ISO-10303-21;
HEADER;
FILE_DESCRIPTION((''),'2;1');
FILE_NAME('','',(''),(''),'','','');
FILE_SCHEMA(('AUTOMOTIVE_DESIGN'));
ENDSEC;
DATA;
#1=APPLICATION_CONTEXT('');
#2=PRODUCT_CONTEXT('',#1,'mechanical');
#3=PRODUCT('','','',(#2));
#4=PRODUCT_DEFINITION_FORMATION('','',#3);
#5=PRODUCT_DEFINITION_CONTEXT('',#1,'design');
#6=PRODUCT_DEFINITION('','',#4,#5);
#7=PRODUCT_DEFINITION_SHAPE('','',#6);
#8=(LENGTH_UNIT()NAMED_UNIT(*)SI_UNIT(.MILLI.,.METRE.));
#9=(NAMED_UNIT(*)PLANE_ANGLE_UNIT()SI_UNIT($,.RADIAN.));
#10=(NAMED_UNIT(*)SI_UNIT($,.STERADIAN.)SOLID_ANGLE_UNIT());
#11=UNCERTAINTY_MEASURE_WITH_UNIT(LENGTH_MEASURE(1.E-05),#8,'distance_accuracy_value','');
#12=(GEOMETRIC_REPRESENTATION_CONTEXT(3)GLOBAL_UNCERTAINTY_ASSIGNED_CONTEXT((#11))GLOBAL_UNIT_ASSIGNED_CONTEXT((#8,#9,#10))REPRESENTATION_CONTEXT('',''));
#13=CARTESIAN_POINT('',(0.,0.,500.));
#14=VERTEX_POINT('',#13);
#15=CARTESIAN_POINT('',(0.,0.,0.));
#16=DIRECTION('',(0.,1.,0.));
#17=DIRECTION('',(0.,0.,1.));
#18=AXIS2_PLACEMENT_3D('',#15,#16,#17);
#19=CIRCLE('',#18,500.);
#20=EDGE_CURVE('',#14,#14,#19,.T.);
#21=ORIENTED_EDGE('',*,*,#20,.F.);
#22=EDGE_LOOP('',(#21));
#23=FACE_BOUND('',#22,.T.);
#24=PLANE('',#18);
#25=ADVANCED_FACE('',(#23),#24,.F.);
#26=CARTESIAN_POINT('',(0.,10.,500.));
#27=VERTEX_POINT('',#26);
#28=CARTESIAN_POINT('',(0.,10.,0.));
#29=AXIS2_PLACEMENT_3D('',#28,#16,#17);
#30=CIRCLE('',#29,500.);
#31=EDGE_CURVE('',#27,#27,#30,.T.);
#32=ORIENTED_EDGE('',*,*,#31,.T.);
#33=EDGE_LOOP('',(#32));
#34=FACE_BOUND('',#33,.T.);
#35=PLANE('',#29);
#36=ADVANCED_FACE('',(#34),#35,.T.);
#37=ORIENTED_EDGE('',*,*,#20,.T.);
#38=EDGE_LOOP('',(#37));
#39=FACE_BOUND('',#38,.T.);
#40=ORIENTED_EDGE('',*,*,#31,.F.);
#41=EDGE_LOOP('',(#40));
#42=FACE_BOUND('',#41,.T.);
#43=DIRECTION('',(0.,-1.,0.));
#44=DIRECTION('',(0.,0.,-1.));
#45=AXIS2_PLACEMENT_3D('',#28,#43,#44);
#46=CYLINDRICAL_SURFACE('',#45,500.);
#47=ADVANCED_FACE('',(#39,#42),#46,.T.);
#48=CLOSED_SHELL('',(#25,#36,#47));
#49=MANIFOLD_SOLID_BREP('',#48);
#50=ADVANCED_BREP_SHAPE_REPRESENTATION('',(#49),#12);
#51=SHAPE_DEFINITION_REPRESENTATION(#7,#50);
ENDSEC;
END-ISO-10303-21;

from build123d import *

# Parameters (mm, degrees)
SKETCH1_R           = 500
BOSS_EXTRUDE1_DEPTH = 10


with BuildPart() as part:
    # Sketch1 → Boss-Extrude1 (new body)
    with BuildSketch(Plane(origin=(0, 0, 0), x_dir=(1, 0, 0), z_dir=(0, 1, 0))):
        Circle(SKETCH1_R)
    extrude(amount=BOSS_EXTRUDE1_DEPTH)


solid = part.part
